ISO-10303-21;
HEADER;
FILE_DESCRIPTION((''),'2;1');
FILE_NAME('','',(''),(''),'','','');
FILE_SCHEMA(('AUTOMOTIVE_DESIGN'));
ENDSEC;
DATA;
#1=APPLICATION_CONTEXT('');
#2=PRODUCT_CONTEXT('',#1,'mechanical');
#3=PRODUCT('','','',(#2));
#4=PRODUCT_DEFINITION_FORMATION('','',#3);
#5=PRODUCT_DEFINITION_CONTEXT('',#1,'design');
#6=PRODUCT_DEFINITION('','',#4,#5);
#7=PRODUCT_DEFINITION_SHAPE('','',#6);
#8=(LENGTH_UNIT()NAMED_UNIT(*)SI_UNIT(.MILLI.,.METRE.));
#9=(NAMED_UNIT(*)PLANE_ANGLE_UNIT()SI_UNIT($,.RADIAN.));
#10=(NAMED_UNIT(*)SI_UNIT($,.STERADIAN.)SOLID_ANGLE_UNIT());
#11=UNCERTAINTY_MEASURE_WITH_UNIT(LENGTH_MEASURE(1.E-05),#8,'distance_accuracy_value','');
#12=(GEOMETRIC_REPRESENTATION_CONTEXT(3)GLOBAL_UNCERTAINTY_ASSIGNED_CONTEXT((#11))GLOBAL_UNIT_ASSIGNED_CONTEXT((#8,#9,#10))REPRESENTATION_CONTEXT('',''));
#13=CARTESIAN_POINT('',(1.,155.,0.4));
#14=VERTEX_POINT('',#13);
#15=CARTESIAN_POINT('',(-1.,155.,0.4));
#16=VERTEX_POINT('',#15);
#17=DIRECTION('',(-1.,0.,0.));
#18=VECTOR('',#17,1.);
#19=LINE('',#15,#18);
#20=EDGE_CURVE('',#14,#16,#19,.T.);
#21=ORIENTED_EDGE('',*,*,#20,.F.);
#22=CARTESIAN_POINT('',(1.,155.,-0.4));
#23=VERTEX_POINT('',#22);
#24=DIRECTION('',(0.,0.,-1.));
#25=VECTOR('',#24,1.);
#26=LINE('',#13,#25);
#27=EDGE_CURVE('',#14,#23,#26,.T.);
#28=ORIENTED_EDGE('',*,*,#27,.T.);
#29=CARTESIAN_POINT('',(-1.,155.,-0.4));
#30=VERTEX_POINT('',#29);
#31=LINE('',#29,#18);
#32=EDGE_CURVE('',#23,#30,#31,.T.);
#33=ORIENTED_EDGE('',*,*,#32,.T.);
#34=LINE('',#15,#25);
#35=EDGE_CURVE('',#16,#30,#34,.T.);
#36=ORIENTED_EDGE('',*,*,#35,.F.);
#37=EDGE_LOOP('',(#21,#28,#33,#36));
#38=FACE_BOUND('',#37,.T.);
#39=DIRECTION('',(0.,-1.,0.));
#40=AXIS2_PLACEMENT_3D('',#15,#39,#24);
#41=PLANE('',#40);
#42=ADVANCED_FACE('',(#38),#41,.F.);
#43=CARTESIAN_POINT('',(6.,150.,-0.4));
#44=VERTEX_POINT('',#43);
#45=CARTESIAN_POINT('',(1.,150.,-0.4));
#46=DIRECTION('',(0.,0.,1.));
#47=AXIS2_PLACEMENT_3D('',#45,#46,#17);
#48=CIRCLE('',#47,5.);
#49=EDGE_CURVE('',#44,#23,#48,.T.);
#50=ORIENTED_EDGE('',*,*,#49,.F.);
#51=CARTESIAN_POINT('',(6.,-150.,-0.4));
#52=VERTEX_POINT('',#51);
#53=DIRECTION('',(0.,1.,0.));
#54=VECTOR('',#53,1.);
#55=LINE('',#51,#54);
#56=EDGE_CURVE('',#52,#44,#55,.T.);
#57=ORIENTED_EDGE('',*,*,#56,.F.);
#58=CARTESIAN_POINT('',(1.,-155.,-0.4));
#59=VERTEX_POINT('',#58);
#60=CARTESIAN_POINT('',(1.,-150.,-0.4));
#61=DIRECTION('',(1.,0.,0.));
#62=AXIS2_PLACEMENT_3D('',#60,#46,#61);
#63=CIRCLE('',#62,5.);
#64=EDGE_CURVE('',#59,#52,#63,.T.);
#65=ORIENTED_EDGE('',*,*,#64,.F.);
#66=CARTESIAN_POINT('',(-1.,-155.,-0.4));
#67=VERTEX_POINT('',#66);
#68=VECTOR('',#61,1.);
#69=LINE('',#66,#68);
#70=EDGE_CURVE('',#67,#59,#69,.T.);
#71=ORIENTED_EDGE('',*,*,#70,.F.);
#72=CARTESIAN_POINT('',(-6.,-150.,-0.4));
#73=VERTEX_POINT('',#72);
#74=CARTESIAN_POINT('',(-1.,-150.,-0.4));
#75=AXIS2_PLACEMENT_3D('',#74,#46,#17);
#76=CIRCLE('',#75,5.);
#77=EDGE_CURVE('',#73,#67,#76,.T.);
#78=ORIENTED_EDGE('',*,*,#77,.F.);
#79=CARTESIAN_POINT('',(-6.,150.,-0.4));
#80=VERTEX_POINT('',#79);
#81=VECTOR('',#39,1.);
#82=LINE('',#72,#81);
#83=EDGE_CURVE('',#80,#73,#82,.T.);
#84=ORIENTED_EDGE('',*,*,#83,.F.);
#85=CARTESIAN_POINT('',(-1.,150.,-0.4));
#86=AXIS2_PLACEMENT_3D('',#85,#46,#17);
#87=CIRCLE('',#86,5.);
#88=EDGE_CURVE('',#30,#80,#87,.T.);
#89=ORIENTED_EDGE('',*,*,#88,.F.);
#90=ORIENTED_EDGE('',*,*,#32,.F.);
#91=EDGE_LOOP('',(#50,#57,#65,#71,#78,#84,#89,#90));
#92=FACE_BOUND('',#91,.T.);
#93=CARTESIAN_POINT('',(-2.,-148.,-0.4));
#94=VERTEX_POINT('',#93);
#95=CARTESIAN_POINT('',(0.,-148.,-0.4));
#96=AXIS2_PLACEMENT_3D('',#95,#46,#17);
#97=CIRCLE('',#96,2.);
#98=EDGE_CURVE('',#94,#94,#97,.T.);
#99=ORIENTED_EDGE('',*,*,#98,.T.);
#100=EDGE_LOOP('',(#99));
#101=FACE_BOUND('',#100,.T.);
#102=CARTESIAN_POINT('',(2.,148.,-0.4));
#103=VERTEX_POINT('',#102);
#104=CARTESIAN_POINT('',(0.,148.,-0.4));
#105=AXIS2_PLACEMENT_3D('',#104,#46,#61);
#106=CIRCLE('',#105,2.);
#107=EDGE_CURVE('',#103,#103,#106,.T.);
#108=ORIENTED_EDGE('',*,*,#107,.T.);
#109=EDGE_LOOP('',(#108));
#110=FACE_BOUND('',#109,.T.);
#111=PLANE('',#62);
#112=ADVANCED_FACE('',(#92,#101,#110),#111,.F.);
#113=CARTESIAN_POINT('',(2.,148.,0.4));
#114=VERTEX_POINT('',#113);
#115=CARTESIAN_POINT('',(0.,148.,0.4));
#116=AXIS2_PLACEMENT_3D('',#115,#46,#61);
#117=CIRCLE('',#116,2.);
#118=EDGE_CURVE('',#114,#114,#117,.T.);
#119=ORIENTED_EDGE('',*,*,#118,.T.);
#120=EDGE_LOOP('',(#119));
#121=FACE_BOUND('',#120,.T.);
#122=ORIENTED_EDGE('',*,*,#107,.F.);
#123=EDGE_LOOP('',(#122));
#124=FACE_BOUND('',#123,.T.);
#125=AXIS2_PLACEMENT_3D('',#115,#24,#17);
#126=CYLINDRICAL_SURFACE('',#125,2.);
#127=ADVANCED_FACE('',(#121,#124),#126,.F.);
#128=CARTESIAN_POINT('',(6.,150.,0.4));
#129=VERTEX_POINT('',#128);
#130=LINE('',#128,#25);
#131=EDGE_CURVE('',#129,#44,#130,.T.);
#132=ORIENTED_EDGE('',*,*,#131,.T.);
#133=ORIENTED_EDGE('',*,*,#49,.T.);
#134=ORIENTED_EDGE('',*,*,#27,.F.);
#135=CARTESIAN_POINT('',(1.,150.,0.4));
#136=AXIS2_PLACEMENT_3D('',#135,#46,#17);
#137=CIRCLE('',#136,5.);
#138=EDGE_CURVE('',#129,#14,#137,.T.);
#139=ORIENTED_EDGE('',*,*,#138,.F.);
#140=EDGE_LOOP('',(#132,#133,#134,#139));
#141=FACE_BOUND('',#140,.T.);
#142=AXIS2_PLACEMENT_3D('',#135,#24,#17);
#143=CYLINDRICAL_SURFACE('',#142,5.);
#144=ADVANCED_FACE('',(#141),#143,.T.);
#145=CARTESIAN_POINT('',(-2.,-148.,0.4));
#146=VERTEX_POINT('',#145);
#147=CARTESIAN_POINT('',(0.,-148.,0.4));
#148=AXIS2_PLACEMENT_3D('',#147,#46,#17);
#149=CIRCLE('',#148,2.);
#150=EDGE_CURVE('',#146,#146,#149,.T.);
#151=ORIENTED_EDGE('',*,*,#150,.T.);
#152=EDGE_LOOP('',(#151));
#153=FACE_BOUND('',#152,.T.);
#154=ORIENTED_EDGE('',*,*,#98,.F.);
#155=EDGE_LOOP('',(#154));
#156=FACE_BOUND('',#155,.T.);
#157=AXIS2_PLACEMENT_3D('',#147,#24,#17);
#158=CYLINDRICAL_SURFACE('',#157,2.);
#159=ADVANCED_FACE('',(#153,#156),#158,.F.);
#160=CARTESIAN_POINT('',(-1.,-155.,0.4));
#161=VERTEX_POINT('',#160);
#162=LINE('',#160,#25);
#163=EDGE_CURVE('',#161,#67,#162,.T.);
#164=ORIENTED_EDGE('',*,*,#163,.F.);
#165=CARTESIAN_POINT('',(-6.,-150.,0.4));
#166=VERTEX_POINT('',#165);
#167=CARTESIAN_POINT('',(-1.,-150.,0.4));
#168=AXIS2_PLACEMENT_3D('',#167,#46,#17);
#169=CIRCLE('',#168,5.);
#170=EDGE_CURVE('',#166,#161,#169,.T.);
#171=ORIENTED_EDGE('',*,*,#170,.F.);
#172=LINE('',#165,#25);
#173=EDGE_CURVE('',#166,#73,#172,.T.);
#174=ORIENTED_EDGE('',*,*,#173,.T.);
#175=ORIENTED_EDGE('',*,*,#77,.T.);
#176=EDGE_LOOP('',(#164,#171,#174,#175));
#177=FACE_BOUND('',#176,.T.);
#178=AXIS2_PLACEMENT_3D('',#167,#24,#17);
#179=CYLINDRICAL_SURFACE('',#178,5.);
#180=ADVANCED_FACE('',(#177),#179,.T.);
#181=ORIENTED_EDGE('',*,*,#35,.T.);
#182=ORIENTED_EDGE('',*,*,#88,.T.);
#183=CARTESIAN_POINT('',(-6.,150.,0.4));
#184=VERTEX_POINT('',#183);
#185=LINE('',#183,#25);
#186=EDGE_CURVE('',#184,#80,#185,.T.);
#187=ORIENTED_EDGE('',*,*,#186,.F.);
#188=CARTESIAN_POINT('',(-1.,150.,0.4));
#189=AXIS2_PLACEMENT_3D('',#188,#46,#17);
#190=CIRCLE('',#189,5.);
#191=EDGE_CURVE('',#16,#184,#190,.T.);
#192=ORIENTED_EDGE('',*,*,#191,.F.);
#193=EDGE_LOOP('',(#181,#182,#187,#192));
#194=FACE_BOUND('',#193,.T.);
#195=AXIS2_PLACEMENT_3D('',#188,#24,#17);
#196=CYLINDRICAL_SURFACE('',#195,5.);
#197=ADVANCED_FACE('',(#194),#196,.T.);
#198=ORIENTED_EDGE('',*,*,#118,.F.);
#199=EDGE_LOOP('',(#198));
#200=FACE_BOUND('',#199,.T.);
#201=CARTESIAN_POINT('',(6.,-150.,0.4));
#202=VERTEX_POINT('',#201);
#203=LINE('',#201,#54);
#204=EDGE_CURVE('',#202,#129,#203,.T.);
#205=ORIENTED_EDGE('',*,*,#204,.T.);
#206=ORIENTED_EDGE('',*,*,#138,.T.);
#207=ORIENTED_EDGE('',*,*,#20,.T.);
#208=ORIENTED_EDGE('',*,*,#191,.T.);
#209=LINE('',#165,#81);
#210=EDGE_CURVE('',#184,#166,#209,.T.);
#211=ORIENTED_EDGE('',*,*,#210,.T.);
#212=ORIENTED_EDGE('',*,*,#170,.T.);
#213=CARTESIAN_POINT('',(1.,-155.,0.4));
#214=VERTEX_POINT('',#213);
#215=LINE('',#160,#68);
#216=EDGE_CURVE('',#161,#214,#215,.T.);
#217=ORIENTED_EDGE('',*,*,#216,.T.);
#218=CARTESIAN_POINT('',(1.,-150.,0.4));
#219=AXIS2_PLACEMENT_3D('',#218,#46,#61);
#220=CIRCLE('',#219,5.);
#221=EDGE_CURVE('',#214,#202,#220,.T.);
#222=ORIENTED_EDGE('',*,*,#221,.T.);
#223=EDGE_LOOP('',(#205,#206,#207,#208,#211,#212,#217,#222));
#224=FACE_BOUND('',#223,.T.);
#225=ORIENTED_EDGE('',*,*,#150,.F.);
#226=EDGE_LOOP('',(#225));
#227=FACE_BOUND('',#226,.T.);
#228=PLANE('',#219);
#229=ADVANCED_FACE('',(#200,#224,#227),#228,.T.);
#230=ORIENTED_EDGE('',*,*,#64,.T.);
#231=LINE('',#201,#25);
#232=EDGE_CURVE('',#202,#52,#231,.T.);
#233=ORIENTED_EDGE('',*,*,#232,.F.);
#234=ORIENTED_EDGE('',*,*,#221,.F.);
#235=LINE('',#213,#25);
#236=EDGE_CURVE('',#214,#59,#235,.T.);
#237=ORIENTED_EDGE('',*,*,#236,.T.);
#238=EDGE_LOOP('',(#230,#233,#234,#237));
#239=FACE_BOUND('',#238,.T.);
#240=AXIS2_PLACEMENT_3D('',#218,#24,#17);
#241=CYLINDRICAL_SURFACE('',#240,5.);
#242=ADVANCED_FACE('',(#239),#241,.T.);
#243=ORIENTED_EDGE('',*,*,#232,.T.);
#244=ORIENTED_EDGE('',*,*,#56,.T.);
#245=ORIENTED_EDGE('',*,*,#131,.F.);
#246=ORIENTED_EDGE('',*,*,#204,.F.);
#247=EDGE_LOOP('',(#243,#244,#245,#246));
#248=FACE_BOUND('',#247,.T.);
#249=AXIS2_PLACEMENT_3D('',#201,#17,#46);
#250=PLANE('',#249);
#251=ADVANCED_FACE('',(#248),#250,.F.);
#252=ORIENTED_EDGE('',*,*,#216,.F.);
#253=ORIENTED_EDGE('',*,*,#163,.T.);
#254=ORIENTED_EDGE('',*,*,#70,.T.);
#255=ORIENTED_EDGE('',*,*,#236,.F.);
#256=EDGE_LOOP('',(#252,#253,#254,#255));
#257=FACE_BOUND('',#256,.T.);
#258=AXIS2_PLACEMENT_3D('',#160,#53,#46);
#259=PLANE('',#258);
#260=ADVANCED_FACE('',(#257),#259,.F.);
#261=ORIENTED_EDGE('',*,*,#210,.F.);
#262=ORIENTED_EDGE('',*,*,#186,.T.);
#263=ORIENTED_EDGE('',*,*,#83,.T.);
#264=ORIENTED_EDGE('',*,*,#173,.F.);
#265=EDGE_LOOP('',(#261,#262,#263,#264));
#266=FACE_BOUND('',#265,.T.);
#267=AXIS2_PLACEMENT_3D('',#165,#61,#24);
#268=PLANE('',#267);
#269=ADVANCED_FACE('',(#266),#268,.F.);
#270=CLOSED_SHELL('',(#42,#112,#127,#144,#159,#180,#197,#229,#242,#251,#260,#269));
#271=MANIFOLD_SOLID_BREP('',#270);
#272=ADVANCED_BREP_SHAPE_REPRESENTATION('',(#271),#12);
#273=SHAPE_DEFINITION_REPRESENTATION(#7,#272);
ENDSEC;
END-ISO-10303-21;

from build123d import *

# Parameters (mm, degrees)
CROQUIS1_R              = 2
SALIENTE_EXTRUIR1_DEPTH = 0.4


with BuildPart() as part:
    # Croquis1 → Saliente-Extruir1 (new, symmetric)
    with BuildSketch(Plane.XY):
        with BuildLine():
            Line((-1, -155), (1, -155))
            ThreePointArc((1, -155), (4.535533906, -153.535533906), (6, -150))
            Line((6, -150), (6, 150))
            ThreePointArc((6, 150), (4.535533906, 153.535533906), (1, 155))
            Line((1, 155), (-1, 155))
            ThreePointArc((-1, 155), (-4.535533906, 153.535533906), (-6, 150))
            Line((-6, 150), (-6, -150))
            ThreePointArc((-6, -150), (-4.535533906, -153.535533906), (-1, -155))
        make_face()
        with Locations((0, 148)):
            Circle(CROQUIS1_R, mode=Mode.SUBTRACT)
        with Locations(Location((0, -148, 0), (0, 0, 180))):
            Circle(CROQUIS1_R, mode=Mode.SUBTRACT)
    extrude(amount=SALIENTE_EXTRUIR1_DEPTH, both=True)


solid = part.part
